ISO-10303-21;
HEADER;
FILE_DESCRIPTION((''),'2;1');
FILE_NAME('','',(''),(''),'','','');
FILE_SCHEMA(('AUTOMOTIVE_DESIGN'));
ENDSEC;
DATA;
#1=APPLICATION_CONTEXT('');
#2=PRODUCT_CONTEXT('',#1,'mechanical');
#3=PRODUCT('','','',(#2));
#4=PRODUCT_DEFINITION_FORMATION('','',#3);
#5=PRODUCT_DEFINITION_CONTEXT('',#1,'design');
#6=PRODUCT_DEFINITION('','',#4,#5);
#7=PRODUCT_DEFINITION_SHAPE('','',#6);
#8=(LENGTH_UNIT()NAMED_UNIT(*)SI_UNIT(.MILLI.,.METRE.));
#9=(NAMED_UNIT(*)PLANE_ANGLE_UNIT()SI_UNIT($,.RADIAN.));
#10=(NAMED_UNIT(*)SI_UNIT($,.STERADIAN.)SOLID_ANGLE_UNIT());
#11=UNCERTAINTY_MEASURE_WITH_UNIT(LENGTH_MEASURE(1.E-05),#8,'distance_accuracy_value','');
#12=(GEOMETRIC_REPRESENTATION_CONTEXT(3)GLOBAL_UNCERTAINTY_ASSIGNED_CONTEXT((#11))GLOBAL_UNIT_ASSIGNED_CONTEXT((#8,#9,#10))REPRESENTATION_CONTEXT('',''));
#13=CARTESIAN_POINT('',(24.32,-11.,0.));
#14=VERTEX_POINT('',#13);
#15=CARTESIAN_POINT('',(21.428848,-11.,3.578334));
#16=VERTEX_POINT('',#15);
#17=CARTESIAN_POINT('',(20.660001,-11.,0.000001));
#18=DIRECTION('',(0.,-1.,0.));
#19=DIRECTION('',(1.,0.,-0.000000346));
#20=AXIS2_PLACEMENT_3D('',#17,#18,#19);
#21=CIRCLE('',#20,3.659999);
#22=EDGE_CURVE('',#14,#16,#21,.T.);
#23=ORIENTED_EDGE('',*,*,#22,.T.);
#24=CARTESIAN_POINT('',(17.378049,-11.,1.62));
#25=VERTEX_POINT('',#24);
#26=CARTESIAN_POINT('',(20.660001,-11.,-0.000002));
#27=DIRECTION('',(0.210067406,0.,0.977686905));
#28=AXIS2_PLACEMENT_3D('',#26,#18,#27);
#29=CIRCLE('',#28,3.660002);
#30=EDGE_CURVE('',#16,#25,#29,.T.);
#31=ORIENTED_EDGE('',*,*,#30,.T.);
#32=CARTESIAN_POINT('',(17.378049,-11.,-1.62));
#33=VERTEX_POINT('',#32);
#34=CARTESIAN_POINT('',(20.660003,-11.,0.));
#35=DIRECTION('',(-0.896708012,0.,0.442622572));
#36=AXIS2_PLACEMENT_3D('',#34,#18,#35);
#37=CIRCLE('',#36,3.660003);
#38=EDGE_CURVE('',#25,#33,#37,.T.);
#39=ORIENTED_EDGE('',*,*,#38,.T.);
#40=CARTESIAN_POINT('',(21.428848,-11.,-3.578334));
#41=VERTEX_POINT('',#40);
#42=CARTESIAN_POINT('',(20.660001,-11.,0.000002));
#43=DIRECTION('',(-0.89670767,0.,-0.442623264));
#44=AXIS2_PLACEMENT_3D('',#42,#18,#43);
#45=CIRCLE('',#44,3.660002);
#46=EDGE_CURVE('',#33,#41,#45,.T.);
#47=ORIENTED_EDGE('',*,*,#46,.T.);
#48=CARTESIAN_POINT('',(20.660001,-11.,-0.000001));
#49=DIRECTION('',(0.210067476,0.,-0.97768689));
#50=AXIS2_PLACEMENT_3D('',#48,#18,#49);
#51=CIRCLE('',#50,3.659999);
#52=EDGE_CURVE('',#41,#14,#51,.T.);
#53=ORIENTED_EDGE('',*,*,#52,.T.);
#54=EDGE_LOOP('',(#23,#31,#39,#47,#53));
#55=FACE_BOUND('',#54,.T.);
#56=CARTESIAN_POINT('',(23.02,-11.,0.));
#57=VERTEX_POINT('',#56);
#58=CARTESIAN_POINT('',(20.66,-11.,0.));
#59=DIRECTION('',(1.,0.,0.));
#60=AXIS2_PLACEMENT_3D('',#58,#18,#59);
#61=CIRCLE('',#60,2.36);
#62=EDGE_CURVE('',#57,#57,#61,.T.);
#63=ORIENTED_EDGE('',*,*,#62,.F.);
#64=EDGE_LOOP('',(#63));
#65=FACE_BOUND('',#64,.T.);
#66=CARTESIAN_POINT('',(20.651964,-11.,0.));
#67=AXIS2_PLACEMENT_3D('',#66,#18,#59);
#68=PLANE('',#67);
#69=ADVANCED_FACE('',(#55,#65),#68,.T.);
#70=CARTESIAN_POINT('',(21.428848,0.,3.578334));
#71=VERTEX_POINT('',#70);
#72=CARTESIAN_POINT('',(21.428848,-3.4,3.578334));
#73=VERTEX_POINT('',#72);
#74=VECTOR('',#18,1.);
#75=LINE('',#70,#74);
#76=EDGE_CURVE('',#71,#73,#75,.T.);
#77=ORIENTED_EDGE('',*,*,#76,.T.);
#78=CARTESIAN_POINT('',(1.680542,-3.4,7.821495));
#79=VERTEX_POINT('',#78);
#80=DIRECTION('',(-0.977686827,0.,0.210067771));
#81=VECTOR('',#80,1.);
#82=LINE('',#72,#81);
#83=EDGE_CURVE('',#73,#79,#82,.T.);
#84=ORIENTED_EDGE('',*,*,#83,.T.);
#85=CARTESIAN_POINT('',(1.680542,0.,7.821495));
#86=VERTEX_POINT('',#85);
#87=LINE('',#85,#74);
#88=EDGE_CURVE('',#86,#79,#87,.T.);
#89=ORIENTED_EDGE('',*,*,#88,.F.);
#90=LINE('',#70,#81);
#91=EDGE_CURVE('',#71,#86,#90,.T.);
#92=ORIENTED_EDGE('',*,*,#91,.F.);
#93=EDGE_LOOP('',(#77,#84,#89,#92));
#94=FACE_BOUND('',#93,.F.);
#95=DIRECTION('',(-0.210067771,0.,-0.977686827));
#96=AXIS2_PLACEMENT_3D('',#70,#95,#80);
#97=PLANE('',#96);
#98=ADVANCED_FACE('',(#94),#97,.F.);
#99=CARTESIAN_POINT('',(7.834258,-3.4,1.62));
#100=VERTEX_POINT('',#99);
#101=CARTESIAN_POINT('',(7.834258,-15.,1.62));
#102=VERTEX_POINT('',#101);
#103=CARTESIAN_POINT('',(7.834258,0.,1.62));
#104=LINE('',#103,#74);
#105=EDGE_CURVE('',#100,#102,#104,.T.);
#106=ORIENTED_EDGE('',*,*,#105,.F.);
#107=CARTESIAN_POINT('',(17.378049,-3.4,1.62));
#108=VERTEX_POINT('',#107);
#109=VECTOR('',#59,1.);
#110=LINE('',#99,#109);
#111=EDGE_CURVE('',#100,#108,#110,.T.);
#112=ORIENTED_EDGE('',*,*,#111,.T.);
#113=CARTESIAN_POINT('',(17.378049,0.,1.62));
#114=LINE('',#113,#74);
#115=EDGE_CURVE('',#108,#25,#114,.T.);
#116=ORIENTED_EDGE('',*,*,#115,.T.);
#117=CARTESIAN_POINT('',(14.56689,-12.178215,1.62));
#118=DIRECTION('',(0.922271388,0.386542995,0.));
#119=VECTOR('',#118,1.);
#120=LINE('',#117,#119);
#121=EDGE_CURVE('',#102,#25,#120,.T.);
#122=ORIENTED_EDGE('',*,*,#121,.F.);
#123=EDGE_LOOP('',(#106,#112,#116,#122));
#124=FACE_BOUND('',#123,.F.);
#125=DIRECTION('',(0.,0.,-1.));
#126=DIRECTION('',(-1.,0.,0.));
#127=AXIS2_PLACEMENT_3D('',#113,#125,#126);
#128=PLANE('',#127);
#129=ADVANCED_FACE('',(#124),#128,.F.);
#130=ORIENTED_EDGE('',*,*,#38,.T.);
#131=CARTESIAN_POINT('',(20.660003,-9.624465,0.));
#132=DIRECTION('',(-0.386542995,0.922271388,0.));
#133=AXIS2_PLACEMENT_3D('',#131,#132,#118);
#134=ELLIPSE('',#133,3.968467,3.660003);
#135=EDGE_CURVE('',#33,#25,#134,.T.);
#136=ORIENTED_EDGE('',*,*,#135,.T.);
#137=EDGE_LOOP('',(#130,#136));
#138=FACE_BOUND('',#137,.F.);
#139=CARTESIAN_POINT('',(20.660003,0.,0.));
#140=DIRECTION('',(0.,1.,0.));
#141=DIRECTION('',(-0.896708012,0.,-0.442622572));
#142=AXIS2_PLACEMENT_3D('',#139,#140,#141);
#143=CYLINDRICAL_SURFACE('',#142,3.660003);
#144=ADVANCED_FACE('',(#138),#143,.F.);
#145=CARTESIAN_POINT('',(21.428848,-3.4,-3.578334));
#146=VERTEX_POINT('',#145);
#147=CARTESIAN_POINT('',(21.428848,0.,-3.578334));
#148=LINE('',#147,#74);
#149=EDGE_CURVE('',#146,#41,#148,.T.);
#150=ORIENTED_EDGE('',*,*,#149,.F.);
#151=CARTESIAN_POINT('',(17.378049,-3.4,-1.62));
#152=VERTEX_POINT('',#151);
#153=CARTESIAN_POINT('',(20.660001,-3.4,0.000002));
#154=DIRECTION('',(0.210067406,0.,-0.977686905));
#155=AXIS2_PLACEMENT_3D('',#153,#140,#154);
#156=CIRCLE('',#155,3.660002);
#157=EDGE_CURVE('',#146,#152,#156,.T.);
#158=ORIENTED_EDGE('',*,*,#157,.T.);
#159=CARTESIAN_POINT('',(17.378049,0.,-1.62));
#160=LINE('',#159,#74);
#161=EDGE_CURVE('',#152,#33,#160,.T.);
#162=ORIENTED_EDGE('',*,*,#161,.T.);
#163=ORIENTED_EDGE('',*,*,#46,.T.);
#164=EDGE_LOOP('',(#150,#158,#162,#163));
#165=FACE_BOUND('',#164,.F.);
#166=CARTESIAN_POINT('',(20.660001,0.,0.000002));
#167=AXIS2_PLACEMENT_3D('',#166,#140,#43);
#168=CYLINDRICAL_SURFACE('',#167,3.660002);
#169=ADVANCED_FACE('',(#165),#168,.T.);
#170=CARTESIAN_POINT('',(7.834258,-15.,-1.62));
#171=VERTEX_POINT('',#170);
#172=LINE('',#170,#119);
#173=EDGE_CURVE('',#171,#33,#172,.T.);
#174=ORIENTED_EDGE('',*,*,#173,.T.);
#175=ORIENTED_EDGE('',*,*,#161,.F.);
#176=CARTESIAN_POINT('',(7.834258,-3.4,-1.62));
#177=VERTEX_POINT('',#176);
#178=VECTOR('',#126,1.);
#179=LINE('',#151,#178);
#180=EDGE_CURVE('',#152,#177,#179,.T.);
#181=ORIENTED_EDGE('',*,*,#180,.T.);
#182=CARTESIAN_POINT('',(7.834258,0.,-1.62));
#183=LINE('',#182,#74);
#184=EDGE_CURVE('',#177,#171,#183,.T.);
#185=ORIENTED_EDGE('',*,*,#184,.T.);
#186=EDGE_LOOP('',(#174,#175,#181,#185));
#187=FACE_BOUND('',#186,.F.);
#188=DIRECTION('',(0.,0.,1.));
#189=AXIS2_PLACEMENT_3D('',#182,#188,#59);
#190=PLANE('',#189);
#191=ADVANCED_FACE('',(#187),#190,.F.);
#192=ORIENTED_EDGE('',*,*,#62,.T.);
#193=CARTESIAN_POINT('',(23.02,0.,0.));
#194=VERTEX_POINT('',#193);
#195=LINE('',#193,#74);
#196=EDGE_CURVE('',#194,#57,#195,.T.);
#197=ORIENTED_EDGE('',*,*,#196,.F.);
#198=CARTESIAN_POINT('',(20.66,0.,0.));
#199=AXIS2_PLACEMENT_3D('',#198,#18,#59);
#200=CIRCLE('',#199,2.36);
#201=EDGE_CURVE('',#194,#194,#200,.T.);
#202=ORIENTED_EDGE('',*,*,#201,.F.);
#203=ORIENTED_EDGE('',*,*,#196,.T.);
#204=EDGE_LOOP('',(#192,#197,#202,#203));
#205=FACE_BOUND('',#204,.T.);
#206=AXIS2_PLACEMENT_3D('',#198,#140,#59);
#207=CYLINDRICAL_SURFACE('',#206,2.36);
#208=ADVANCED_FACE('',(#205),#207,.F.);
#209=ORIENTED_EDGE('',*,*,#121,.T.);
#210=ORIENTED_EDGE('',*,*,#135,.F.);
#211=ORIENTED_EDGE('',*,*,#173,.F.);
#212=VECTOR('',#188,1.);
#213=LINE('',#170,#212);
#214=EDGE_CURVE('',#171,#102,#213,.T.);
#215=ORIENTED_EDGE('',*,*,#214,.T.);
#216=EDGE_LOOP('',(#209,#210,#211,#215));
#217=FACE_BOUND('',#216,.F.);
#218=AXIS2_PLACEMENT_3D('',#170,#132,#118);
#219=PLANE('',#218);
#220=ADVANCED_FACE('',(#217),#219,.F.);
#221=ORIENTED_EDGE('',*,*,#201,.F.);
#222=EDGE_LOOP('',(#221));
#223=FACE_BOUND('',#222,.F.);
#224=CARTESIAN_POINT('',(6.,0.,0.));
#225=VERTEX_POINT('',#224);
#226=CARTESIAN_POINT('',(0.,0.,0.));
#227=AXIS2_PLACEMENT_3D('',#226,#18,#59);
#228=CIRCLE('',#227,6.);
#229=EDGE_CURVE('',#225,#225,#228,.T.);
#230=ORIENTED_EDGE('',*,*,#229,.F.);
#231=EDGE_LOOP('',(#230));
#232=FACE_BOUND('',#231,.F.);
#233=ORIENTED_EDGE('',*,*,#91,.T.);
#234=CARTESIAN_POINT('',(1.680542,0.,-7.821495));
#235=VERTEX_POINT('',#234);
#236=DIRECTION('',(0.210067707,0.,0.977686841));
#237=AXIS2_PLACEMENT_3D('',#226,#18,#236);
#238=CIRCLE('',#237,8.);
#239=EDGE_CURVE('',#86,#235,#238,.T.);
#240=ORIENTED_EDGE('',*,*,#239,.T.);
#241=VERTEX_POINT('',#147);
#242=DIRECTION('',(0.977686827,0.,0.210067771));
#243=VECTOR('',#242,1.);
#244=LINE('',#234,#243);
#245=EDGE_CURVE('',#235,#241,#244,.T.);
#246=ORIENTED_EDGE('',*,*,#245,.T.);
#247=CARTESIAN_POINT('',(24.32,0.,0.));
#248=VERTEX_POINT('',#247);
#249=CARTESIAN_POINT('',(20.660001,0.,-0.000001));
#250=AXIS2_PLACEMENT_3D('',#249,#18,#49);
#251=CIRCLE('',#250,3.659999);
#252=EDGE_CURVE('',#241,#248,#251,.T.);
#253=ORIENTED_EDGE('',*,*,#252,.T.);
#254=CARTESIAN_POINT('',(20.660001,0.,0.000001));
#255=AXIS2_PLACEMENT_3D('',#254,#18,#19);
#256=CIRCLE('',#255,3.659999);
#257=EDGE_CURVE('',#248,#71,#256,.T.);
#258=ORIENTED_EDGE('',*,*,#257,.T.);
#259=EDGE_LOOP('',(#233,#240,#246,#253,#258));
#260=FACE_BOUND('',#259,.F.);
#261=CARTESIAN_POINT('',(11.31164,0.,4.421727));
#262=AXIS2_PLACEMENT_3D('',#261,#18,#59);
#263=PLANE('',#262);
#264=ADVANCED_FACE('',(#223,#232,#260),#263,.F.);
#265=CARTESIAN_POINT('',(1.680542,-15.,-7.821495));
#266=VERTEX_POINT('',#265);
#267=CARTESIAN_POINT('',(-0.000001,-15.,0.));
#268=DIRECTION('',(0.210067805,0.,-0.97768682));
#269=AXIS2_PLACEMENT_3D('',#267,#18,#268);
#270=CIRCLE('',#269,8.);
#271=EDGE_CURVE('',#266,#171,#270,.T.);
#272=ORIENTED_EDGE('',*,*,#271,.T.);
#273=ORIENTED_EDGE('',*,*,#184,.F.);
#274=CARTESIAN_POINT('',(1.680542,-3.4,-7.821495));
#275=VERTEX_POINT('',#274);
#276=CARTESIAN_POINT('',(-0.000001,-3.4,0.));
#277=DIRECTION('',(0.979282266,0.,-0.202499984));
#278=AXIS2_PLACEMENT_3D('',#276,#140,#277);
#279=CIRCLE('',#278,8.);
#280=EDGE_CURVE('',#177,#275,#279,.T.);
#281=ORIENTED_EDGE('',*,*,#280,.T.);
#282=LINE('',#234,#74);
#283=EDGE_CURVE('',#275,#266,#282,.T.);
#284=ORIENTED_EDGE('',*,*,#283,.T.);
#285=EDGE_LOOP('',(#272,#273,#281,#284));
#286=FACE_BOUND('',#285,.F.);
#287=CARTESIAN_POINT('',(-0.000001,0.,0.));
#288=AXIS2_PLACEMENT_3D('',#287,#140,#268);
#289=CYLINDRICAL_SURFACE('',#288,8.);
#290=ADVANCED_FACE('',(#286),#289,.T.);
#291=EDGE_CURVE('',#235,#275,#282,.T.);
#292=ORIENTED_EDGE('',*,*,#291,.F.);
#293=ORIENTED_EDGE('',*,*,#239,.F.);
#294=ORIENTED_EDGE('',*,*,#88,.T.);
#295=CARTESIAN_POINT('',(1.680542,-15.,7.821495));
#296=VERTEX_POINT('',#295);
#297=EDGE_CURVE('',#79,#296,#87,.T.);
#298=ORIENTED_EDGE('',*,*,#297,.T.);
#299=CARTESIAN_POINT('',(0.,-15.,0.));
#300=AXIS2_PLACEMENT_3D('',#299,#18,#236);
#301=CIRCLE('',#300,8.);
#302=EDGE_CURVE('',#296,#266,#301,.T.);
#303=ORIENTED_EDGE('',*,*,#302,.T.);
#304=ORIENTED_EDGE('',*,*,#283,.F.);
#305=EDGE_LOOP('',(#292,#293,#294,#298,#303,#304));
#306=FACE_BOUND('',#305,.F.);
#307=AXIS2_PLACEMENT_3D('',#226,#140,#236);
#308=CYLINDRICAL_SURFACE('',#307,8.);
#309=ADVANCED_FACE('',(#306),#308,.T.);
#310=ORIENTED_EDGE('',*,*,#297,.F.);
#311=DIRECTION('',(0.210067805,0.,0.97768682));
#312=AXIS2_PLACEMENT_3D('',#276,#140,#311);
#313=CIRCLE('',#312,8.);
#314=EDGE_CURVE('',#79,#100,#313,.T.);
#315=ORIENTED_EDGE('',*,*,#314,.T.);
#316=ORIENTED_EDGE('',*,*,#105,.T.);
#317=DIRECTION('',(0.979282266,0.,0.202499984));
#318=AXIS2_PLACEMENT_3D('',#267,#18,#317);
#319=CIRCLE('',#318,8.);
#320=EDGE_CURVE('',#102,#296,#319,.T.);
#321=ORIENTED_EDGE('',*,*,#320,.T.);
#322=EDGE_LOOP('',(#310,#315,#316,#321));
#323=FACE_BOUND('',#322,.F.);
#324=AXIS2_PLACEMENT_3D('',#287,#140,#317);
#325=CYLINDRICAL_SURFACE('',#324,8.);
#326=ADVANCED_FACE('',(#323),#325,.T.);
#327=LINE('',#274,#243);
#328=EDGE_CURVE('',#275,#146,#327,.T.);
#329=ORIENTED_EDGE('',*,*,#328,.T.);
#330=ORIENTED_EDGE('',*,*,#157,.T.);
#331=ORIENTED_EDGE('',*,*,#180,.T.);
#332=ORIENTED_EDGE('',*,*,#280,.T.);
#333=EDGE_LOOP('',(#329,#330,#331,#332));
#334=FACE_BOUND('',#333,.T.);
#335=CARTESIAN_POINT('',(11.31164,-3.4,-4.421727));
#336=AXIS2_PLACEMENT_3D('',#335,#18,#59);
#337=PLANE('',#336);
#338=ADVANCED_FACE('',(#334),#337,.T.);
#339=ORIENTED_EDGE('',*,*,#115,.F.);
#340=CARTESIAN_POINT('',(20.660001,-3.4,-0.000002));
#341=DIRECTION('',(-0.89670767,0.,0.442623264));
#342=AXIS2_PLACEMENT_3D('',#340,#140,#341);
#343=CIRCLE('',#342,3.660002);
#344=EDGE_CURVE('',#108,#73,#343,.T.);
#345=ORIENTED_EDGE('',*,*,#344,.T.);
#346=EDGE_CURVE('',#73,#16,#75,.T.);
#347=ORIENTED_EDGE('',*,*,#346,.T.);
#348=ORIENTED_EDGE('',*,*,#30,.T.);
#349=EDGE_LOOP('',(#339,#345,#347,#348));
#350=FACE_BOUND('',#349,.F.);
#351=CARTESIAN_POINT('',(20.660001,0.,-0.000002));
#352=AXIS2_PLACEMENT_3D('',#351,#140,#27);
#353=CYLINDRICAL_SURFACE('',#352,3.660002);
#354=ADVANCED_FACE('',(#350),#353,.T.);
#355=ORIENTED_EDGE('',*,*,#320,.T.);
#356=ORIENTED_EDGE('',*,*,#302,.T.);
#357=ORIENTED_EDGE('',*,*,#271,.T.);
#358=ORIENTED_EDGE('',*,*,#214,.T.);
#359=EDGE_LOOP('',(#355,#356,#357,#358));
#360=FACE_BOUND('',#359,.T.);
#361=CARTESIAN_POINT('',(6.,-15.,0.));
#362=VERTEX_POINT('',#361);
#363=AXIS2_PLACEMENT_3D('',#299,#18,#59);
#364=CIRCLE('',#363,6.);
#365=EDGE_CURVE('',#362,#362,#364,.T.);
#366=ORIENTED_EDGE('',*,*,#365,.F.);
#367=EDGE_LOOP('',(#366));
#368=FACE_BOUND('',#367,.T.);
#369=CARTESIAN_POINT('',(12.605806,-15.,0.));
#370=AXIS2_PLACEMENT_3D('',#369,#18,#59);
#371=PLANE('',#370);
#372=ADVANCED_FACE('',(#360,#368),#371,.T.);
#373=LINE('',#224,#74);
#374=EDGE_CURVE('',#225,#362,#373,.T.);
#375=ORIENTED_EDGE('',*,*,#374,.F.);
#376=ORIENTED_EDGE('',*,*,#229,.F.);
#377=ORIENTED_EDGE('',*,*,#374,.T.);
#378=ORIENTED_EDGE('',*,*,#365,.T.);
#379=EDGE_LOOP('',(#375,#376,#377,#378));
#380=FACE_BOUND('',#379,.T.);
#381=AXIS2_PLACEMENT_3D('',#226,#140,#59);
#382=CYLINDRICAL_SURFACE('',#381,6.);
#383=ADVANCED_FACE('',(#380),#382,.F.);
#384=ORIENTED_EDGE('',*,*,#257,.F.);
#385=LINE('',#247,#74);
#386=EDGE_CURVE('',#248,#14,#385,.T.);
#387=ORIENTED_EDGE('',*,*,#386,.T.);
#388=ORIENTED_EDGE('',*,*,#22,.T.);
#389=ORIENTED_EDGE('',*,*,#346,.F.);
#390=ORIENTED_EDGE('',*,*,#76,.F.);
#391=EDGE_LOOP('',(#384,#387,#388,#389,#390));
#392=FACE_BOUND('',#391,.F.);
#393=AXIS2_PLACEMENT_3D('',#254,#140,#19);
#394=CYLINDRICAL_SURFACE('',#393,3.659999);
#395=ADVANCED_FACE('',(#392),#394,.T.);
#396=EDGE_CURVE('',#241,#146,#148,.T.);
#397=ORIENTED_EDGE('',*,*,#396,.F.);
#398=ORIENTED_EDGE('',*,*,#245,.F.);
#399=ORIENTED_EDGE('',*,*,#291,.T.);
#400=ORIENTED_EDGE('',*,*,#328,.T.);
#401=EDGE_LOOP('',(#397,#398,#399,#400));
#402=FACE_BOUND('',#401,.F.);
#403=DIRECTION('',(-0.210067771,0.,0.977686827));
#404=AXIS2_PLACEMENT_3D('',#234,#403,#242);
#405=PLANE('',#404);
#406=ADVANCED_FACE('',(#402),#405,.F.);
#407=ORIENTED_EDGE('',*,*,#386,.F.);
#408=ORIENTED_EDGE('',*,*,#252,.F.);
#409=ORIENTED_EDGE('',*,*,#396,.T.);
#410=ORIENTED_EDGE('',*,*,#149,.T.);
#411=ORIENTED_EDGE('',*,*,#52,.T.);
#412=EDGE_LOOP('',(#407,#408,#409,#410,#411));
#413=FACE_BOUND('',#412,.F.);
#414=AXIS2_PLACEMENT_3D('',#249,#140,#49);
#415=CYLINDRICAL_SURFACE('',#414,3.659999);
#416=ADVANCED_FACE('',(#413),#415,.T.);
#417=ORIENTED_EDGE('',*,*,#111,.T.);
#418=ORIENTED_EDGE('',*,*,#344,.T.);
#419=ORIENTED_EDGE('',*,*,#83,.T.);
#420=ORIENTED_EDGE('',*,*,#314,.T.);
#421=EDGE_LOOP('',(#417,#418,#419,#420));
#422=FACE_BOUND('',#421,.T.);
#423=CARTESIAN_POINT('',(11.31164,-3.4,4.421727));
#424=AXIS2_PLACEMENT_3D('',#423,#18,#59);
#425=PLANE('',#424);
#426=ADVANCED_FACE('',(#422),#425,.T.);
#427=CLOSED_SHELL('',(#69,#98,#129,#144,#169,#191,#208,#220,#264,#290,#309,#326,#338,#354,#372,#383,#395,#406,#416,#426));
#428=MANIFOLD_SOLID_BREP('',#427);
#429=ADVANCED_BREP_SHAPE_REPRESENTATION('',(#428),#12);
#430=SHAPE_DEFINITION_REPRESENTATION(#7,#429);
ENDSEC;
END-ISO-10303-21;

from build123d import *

# Parameters (mm, degrees)
F0_R     = 6
F1_DEPTH = 15
F2_DEPTH = 15
F0_R_2   = 2.36
F3_DEPTH = 11
F5_DEPTH = 25
F6_DEPTH = 3.4


with BuildPart() as f1:
    # F0 (on Front) → F1 (new body)
    with BuildSketch(Plane.XZ):
        with BuildLine():
            ThreePointArc((7.834258, -1.62), (7.958457, -0.814228), (8, 0))
            ThreePointArc((8, 0), (7.958457, 0.814228), (7.834258, 1.62))
            ThreePointArc((7.834258, 1.62), (5.678687, 5.634937), (1.680542, 7.821495))
            ThreePointArc((1.680542, 7.821495), (-8, 0), (1.680542, -7.821495))
            ThreePointArc((1.680542, -7.821495), (5.678687, -5.634937), (7.834258, -1.62))
        make_face()
        Circle(F0_R, mode=Mode.SUBTRACT)
    extrude(amount=F1_DEPTH)

    # F0 (on Front) → F2 (join)
    with BuildSketch(Plane.XZ):
        with BuildLine():
            ThreePointArc((7.834258, 1.62), (7.958457, 0.814228), (8, 0))
            ThreePointArc((8, 0), (7.958457, -0.814228), (7.834258, -1.62))
            Line((7.834258, -1.62), (17.378049, -1.62))
            ThreePointArc((17.378049, -1.62), (17, 0), (17.378049, 1.62))
            Line((17.378049, 1.62), (7.834258, 1.62))
        make_face()
    extrude(amount=F2_DEPTH)

    # F0 (on Front) → F3 (join)
    with BuildSketch(Plane.XZ):
        with BuildLine():
            ThreePointArc((21.428848, 3.578334), (19.066987, 3.295134), (17.378049, 1.62))
            ThreePointArc((17.378049, 1.62), (17, 0), (17.378049, -1.62))
            ThreePointArc((17.378049, -1.62), (19.066987, -3.295134), (21.428848, -3.578334))
            ThreePointArc((21.428848, -3.578334), (23.506892, -2.300176), (24.32, 0))
            ThreePointArc((24.32, 0), (23.506892, 2.300176), (21.428848, 3.578334))
        make_face()
        with Locations((20.66, 0)):
            Circle(F0_R_2, mode=Mode.SUBTRACT)
    extrude(amount=F3_DEPTH)

    # F4 (on face) → F5 (cut)
    with BuildSketch(Plane(origin=(0, 0, -1.62), x_dir=(1, 0, 0), z_dir=(0, 0, -1))):
        Polygon((17.378049, 15), (7.834258, 15), (17.378049, 11), align=None)
    extrude(amount=-F5_DEPTH, mode=Mode.SUBTRACT)

    # F0 (on Front) → F6 (join)
    with BuildSketch(Plane.XZ):
        with BuildLine():
            ThreePointArc((1.680542, 7.821495), (5.678687, 5.634937), (7.834258, 1.62))
            Line((7.834258, 1.62), (17.378049, 1.62))
            ThreePointArc((17.378049, 1.62), (19.066987, 3.295134), (21.428848, 3.578334))
            Line((21.428848, 3.578334), (1.680542, 7.821495))
        make_face()
        with BuildLine():
            Line((17.378049, -1.62), (7.834258, -1.62))
            ThreePointArc((7.834258, -1.62), (5.678687, -5.634937), (1.680542, -7.821495))
            Line((1.680542, -7.821495), (21.428848, -3.578334))
            ThreePointArc((21.428848, -3.578334), (19.066987, -3.295134), (17.378049, -1.62))
        make_face()
    extrude(amount=F6_DEPTH)


solid = f1.part
